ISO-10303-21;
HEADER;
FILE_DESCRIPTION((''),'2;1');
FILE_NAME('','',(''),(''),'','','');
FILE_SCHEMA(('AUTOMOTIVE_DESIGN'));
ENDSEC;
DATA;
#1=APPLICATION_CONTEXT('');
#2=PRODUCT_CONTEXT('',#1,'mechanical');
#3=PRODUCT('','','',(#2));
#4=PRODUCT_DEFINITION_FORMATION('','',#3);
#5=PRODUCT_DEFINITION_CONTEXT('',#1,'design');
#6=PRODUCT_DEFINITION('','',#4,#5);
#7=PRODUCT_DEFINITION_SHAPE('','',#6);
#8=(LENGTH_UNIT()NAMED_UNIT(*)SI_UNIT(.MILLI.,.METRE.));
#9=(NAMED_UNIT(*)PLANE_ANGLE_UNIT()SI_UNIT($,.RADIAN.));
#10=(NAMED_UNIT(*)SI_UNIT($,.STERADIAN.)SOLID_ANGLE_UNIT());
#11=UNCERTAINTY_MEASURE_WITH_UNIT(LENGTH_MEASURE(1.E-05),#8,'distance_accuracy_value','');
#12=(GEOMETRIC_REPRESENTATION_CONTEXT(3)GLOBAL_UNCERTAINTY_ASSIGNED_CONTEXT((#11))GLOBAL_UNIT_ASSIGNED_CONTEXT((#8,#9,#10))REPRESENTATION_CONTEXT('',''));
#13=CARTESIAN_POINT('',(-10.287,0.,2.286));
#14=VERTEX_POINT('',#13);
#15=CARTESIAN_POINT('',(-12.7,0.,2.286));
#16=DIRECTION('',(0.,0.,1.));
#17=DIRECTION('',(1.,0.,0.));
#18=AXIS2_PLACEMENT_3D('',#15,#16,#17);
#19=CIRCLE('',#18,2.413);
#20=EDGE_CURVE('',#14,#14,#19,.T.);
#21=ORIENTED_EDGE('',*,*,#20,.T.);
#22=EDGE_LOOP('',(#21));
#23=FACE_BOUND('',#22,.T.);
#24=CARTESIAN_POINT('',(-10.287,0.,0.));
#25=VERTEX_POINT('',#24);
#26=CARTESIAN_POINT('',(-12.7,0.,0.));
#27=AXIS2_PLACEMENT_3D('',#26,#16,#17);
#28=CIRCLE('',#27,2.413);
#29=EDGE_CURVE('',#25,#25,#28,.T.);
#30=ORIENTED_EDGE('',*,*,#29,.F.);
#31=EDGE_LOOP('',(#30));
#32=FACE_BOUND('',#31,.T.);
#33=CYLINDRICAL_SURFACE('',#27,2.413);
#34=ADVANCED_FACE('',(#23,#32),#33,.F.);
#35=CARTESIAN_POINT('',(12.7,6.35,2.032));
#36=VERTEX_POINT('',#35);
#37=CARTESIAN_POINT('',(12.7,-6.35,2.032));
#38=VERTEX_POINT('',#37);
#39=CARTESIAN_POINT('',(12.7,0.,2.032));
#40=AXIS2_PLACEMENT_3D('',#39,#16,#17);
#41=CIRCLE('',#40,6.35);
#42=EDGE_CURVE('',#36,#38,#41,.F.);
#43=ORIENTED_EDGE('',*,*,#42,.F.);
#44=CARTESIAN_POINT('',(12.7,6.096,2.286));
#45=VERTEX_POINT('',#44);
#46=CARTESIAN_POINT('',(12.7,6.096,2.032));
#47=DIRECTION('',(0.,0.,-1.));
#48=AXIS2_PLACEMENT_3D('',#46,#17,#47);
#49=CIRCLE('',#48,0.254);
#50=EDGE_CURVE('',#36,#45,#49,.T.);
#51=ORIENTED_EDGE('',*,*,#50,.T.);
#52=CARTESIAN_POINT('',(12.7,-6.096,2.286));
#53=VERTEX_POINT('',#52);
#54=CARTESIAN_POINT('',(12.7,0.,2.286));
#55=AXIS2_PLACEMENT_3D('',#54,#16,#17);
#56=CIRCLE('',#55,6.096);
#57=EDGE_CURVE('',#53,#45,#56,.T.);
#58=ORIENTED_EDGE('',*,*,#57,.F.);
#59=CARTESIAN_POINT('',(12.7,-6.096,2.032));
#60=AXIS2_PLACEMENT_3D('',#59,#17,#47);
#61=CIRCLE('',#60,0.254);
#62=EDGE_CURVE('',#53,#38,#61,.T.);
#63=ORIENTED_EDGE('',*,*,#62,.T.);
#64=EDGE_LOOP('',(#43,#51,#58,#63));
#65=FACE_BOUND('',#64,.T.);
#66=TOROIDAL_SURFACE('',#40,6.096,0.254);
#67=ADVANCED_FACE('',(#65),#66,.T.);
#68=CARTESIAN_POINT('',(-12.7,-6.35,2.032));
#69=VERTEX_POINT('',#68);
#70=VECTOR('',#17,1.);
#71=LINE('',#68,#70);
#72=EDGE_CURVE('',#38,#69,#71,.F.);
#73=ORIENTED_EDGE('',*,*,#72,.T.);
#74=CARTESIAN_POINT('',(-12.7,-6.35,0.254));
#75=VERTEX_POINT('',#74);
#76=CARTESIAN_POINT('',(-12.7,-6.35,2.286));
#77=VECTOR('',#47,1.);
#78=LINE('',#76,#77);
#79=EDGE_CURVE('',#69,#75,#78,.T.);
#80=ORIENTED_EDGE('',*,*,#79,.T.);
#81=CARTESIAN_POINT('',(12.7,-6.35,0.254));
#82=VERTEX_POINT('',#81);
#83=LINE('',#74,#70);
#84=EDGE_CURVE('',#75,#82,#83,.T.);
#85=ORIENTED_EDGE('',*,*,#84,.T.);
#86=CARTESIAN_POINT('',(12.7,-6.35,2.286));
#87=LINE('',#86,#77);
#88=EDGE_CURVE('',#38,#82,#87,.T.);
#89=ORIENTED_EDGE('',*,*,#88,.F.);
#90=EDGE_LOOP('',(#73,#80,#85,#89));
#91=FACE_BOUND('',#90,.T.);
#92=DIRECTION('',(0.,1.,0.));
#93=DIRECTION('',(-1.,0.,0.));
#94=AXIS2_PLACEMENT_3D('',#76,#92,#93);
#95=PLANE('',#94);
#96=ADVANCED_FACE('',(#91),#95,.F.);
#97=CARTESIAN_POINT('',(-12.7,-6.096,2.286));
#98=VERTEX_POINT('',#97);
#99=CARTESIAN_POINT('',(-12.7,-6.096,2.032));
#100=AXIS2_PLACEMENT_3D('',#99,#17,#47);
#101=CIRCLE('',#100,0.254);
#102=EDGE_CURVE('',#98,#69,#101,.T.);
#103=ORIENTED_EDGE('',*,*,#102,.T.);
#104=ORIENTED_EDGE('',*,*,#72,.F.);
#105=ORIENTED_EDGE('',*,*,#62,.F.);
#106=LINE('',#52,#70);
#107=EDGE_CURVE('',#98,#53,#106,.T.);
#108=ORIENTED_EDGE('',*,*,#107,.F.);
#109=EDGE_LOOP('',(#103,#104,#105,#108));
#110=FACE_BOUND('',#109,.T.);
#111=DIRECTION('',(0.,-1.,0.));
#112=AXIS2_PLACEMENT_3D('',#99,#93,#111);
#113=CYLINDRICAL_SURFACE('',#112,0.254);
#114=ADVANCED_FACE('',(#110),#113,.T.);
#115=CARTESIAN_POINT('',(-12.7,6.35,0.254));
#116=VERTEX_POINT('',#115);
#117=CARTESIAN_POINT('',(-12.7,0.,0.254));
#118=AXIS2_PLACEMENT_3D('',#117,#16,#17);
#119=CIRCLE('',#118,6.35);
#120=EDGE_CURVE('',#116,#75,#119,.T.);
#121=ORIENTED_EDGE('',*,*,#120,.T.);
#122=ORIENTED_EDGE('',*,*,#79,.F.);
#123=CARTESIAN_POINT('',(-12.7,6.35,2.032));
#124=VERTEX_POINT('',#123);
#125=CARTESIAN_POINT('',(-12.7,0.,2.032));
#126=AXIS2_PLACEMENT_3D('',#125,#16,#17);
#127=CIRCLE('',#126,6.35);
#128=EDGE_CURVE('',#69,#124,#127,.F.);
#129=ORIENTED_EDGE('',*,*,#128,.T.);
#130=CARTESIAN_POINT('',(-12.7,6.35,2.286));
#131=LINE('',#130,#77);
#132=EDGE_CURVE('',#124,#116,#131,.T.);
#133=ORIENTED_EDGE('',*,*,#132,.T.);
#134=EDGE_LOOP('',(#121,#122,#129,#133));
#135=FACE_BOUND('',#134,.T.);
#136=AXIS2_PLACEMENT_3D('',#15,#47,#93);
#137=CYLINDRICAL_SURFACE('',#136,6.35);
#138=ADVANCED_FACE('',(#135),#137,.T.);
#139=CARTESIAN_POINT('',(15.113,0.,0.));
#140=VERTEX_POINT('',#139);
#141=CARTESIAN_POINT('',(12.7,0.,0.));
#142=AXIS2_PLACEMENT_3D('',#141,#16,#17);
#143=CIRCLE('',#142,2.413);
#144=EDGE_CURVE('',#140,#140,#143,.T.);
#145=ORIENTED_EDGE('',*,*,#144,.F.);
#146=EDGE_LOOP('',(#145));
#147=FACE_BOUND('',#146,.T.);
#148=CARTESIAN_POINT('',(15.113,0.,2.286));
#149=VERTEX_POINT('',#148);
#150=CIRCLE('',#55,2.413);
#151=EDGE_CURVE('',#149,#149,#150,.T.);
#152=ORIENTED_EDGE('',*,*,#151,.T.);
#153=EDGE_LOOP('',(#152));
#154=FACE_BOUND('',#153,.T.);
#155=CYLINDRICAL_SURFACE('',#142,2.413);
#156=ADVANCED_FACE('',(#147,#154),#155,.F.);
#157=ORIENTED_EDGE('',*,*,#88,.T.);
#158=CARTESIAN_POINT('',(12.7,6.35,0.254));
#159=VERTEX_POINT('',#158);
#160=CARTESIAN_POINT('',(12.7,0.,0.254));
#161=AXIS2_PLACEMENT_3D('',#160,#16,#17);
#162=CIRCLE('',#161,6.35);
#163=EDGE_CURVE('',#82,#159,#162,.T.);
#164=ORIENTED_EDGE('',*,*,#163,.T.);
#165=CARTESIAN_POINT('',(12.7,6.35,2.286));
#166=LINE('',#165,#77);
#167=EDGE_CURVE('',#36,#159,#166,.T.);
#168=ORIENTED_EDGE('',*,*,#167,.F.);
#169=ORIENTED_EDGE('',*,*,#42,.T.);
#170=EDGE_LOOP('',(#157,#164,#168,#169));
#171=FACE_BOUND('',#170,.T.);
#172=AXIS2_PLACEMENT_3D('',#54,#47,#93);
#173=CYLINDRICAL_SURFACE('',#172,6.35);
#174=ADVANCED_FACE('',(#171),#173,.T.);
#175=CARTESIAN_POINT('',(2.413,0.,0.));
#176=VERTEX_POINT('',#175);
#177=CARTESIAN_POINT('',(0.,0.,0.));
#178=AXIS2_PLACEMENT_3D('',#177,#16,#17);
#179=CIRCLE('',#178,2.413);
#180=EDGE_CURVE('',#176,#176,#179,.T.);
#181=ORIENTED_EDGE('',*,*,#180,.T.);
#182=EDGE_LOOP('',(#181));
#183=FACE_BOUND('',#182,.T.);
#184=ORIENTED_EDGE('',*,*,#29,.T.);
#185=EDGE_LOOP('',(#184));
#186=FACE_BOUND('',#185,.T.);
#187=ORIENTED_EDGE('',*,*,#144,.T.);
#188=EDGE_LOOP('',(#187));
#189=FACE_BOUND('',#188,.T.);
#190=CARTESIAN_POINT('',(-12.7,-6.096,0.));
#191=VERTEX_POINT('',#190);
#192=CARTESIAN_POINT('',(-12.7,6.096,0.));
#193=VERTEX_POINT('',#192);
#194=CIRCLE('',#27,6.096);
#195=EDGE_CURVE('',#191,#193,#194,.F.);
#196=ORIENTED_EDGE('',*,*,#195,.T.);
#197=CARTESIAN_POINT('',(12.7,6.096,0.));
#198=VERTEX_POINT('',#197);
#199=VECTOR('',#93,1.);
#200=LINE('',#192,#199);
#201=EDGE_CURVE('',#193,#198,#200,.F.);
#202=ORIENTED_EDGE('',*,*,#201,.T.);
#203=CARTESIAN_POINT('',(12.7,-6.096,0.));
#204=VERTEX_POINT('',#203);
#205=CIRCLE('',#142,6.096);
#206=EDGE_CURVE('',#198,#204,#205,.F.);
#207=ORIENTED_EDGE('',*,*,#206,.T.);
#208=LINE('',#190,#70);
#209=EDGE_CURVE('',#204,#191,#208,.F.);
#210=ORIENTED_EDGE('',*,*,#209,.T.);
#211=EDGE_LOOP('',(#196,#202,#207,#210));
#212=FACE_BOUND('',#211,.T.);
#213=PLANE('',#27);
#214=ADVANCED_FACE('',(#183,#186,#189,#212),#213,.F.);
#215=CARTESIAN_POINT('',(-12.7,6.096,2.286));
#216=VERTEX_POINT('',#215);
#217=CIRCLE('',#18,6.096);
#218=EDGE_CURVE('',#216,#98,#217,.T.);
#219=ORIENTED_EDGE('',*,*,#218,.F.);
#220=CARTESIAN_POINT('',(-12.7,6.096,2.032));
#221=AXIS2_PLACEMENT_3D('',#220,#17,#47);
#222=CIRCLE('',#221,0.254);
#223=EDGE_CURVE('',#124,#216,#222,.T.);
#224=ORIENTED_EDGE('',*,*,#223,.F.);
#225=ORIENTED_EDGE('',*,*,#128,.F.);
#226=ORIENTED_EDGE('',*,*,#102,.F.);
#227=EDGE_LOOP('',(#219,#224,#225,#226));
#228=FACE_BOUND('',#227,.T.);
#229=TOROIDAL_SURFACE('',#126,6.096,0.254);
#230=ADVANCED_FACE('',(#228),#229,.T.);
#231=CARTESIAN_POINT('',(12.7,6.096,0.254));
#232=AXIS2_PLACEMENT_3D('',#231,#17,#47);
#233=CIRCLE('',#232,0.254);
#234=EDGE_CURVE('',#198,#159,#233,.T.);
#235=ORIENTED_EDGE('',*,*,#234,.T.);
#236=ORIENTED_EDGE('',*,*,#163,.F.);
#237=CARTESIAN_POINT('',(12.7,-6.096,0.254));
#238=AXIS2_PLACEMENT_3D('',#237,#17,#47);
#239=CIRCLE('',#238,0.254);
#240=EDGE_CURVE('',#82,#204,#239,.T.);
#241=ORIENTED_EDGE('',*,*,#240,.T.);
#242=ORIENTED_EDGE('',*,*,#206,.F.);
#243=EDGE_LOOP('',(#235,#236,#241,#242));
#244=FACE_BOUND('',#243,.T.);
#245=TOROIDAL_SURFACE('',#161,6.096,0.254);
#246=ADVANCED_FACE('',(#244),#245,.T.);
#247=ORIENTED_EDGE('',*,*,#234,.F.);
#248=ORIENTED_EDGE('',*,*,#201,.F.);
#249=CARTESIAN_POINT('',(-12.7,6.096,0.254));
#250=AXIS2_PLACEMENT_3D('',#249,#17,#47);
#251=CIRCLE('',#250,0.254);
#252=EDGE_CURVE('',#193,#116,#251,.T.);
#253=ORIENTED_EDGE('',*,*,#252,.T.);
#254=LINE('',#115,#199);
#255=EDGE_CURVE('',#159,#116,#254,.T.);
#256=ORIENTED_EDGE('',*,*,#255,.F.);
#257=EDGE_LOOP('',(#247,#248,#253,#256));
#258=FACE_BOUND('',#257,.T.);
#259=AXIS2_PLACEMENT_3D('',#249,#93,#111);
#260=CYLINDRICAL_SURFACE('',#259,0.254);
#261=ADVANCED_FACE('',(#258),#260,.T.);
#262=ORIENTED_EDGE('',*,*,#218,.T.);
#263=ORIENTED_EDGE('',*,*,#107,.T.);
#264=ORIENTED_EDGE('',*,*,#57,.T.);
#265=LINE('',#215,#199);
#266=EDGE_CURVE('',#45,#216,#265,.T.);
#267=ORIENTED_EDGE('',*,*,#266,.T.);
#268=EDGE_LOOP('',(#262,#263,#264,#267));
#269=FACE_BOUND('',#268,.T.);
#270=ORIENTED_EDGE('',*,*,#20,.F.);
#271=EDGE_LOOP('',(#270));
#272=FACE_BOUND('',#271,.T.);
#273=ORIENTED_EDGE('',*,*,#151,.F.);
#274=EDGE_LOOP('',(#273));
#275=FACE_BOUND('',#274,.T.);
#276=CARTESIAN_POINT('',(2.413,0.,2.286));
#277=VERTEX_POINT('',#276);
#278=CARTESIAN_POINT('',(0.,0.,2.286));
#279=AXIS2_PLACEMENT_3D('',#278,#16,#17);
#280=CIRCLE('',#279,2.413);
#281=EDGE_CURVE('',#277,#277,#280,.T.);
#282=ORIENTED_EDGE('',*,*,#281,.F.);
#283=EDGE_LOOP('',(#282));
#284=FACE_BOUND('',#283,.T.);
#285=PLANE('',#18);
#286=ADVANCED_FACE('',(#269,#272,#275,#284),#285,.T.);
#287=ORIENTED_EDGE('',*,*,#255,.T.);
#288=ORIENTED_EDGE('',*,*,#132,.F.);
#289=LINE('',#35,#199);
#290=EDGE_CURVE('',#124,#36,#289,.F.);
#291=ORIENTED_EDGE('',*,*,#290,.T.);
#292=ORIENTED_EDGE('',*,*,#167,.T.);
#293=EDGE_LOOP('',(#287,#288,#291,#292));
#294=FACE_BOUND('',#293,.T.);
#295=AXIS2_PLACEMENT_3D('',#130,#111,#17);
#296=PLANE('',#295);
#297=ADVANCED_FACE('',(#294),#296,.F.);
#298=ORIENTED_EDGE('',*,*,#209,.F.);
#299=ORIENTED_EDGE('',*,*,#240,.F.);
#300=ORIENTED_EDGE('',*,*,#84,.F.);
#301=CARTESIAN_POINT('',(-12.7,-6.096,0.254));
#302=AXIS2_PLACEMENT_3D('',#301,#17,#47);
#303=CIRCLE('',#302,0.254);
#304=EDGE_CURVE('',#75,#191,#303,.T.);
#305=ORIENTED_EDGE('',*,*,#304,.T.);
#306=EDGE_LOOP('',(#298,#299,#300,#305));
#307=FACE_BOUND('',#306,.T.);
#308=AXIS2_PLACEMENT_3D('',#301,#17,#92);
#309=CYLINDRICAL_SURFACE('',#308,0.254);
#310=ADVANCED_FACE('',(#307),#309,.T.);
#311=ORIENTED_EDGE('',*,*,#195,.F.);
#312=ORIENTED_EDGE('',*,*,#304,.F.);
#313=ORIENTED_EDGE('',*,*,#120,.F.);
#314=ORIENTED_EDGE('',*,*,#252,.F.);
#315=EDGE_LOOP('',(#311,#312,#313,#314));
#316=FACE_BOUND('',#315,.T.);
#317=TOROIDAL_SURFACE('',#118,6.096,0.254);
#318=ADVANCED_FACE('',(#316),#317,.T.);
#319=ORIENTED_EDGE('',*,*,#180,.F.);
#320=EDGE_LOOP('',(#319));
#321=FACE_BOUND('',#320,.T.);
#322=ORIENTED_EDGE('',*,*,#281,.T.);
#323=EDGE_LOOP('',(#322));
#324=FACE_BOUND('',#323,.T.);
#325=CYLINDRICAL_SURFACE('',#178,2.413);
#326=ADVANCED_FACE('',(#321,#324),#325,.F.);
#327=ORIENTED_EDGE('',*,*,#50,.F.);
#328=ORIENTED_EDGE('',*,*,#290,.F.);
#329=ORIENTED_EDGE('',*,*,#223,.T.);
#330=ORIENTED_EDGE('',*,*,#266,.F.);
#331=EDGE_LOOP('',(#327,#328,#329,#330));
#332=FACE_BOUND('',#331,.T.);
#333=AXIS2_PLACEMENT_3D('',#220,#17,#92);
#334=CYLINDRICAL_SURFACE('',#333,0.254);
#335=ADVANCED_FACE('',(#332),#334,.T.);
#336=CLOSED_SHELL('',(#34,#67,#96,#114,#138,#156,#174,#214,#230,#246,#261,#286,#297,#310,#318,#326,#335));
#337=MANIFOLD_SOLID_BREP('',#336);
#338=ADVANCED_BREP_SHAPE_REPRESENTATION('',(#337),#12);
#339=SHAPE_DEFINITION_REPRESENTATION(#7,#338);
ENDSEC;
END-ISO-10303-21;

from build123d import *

# Parameters (mm, degrees)
EXTRUDE1_DEPTH  = 2.286
SKETCH2_R       = 2.413
EXTRUDE2_DEPTH  = 21.21016566
LPATTERN1_COUNT = 3
LPATTERN1_PITCH = 12.7
FILLET1_R       = 0.254


with BuildPart() as part:
    # Sketch1 → Extrude1 (new body)
    with BuildSketch(Plane.XY):
        with BuildLine():
            Line((-12.7, 6.35), (12.7, 6.35))
            ThreePointArc((12.7, 6.35), (19.05, 0), (12.7, -6.35))
            Line((12.7, -6.35), (-12.7, -6.35))
            ThreePointArc((-12.7, -6.35), (-19.05, 0), (-12.7, 6.35))
        make_face()
    extrude(amount=EXTRUDE1_DEPTH)

    # Sketch2 → Extrude2 (cut, through all)
    with BuildSketch(Plane.XY.offset(2.286)):
        with Locations((-12.7, 0)):
            Circle(SKETCH2_R)
    extrude2 = extrude(amount=-EXTRUDE2_DEPTH, mode=Mode.SUBTRACT)

    # LPattern1: Extrude2 ×3
    with Locations(*[(i * LPATTERN1_PITCH, 0, 0) for i in range(1, LPATTERN1_COUNT)]):
        add(extrude2, mode=Mode.SUBTRACT)

    # Fillet1
    fillet1_edges = [part.edges().sort_by_distance(p)[0] for p in [
        (19.05, 0, 2.286),
        (0, 6.35, 2.286),
        (-19.05, 0, 2.286),
        (0, 6.35, 0),
        (19.05, 0, 0),
        (0, -6.35, 0),
        (-19.05, 0, 0),
        (0, -6.35, 2.286),
    ]]
    fillet(fillet1_edges, radius=FILLET1_R)


solid = part.part
